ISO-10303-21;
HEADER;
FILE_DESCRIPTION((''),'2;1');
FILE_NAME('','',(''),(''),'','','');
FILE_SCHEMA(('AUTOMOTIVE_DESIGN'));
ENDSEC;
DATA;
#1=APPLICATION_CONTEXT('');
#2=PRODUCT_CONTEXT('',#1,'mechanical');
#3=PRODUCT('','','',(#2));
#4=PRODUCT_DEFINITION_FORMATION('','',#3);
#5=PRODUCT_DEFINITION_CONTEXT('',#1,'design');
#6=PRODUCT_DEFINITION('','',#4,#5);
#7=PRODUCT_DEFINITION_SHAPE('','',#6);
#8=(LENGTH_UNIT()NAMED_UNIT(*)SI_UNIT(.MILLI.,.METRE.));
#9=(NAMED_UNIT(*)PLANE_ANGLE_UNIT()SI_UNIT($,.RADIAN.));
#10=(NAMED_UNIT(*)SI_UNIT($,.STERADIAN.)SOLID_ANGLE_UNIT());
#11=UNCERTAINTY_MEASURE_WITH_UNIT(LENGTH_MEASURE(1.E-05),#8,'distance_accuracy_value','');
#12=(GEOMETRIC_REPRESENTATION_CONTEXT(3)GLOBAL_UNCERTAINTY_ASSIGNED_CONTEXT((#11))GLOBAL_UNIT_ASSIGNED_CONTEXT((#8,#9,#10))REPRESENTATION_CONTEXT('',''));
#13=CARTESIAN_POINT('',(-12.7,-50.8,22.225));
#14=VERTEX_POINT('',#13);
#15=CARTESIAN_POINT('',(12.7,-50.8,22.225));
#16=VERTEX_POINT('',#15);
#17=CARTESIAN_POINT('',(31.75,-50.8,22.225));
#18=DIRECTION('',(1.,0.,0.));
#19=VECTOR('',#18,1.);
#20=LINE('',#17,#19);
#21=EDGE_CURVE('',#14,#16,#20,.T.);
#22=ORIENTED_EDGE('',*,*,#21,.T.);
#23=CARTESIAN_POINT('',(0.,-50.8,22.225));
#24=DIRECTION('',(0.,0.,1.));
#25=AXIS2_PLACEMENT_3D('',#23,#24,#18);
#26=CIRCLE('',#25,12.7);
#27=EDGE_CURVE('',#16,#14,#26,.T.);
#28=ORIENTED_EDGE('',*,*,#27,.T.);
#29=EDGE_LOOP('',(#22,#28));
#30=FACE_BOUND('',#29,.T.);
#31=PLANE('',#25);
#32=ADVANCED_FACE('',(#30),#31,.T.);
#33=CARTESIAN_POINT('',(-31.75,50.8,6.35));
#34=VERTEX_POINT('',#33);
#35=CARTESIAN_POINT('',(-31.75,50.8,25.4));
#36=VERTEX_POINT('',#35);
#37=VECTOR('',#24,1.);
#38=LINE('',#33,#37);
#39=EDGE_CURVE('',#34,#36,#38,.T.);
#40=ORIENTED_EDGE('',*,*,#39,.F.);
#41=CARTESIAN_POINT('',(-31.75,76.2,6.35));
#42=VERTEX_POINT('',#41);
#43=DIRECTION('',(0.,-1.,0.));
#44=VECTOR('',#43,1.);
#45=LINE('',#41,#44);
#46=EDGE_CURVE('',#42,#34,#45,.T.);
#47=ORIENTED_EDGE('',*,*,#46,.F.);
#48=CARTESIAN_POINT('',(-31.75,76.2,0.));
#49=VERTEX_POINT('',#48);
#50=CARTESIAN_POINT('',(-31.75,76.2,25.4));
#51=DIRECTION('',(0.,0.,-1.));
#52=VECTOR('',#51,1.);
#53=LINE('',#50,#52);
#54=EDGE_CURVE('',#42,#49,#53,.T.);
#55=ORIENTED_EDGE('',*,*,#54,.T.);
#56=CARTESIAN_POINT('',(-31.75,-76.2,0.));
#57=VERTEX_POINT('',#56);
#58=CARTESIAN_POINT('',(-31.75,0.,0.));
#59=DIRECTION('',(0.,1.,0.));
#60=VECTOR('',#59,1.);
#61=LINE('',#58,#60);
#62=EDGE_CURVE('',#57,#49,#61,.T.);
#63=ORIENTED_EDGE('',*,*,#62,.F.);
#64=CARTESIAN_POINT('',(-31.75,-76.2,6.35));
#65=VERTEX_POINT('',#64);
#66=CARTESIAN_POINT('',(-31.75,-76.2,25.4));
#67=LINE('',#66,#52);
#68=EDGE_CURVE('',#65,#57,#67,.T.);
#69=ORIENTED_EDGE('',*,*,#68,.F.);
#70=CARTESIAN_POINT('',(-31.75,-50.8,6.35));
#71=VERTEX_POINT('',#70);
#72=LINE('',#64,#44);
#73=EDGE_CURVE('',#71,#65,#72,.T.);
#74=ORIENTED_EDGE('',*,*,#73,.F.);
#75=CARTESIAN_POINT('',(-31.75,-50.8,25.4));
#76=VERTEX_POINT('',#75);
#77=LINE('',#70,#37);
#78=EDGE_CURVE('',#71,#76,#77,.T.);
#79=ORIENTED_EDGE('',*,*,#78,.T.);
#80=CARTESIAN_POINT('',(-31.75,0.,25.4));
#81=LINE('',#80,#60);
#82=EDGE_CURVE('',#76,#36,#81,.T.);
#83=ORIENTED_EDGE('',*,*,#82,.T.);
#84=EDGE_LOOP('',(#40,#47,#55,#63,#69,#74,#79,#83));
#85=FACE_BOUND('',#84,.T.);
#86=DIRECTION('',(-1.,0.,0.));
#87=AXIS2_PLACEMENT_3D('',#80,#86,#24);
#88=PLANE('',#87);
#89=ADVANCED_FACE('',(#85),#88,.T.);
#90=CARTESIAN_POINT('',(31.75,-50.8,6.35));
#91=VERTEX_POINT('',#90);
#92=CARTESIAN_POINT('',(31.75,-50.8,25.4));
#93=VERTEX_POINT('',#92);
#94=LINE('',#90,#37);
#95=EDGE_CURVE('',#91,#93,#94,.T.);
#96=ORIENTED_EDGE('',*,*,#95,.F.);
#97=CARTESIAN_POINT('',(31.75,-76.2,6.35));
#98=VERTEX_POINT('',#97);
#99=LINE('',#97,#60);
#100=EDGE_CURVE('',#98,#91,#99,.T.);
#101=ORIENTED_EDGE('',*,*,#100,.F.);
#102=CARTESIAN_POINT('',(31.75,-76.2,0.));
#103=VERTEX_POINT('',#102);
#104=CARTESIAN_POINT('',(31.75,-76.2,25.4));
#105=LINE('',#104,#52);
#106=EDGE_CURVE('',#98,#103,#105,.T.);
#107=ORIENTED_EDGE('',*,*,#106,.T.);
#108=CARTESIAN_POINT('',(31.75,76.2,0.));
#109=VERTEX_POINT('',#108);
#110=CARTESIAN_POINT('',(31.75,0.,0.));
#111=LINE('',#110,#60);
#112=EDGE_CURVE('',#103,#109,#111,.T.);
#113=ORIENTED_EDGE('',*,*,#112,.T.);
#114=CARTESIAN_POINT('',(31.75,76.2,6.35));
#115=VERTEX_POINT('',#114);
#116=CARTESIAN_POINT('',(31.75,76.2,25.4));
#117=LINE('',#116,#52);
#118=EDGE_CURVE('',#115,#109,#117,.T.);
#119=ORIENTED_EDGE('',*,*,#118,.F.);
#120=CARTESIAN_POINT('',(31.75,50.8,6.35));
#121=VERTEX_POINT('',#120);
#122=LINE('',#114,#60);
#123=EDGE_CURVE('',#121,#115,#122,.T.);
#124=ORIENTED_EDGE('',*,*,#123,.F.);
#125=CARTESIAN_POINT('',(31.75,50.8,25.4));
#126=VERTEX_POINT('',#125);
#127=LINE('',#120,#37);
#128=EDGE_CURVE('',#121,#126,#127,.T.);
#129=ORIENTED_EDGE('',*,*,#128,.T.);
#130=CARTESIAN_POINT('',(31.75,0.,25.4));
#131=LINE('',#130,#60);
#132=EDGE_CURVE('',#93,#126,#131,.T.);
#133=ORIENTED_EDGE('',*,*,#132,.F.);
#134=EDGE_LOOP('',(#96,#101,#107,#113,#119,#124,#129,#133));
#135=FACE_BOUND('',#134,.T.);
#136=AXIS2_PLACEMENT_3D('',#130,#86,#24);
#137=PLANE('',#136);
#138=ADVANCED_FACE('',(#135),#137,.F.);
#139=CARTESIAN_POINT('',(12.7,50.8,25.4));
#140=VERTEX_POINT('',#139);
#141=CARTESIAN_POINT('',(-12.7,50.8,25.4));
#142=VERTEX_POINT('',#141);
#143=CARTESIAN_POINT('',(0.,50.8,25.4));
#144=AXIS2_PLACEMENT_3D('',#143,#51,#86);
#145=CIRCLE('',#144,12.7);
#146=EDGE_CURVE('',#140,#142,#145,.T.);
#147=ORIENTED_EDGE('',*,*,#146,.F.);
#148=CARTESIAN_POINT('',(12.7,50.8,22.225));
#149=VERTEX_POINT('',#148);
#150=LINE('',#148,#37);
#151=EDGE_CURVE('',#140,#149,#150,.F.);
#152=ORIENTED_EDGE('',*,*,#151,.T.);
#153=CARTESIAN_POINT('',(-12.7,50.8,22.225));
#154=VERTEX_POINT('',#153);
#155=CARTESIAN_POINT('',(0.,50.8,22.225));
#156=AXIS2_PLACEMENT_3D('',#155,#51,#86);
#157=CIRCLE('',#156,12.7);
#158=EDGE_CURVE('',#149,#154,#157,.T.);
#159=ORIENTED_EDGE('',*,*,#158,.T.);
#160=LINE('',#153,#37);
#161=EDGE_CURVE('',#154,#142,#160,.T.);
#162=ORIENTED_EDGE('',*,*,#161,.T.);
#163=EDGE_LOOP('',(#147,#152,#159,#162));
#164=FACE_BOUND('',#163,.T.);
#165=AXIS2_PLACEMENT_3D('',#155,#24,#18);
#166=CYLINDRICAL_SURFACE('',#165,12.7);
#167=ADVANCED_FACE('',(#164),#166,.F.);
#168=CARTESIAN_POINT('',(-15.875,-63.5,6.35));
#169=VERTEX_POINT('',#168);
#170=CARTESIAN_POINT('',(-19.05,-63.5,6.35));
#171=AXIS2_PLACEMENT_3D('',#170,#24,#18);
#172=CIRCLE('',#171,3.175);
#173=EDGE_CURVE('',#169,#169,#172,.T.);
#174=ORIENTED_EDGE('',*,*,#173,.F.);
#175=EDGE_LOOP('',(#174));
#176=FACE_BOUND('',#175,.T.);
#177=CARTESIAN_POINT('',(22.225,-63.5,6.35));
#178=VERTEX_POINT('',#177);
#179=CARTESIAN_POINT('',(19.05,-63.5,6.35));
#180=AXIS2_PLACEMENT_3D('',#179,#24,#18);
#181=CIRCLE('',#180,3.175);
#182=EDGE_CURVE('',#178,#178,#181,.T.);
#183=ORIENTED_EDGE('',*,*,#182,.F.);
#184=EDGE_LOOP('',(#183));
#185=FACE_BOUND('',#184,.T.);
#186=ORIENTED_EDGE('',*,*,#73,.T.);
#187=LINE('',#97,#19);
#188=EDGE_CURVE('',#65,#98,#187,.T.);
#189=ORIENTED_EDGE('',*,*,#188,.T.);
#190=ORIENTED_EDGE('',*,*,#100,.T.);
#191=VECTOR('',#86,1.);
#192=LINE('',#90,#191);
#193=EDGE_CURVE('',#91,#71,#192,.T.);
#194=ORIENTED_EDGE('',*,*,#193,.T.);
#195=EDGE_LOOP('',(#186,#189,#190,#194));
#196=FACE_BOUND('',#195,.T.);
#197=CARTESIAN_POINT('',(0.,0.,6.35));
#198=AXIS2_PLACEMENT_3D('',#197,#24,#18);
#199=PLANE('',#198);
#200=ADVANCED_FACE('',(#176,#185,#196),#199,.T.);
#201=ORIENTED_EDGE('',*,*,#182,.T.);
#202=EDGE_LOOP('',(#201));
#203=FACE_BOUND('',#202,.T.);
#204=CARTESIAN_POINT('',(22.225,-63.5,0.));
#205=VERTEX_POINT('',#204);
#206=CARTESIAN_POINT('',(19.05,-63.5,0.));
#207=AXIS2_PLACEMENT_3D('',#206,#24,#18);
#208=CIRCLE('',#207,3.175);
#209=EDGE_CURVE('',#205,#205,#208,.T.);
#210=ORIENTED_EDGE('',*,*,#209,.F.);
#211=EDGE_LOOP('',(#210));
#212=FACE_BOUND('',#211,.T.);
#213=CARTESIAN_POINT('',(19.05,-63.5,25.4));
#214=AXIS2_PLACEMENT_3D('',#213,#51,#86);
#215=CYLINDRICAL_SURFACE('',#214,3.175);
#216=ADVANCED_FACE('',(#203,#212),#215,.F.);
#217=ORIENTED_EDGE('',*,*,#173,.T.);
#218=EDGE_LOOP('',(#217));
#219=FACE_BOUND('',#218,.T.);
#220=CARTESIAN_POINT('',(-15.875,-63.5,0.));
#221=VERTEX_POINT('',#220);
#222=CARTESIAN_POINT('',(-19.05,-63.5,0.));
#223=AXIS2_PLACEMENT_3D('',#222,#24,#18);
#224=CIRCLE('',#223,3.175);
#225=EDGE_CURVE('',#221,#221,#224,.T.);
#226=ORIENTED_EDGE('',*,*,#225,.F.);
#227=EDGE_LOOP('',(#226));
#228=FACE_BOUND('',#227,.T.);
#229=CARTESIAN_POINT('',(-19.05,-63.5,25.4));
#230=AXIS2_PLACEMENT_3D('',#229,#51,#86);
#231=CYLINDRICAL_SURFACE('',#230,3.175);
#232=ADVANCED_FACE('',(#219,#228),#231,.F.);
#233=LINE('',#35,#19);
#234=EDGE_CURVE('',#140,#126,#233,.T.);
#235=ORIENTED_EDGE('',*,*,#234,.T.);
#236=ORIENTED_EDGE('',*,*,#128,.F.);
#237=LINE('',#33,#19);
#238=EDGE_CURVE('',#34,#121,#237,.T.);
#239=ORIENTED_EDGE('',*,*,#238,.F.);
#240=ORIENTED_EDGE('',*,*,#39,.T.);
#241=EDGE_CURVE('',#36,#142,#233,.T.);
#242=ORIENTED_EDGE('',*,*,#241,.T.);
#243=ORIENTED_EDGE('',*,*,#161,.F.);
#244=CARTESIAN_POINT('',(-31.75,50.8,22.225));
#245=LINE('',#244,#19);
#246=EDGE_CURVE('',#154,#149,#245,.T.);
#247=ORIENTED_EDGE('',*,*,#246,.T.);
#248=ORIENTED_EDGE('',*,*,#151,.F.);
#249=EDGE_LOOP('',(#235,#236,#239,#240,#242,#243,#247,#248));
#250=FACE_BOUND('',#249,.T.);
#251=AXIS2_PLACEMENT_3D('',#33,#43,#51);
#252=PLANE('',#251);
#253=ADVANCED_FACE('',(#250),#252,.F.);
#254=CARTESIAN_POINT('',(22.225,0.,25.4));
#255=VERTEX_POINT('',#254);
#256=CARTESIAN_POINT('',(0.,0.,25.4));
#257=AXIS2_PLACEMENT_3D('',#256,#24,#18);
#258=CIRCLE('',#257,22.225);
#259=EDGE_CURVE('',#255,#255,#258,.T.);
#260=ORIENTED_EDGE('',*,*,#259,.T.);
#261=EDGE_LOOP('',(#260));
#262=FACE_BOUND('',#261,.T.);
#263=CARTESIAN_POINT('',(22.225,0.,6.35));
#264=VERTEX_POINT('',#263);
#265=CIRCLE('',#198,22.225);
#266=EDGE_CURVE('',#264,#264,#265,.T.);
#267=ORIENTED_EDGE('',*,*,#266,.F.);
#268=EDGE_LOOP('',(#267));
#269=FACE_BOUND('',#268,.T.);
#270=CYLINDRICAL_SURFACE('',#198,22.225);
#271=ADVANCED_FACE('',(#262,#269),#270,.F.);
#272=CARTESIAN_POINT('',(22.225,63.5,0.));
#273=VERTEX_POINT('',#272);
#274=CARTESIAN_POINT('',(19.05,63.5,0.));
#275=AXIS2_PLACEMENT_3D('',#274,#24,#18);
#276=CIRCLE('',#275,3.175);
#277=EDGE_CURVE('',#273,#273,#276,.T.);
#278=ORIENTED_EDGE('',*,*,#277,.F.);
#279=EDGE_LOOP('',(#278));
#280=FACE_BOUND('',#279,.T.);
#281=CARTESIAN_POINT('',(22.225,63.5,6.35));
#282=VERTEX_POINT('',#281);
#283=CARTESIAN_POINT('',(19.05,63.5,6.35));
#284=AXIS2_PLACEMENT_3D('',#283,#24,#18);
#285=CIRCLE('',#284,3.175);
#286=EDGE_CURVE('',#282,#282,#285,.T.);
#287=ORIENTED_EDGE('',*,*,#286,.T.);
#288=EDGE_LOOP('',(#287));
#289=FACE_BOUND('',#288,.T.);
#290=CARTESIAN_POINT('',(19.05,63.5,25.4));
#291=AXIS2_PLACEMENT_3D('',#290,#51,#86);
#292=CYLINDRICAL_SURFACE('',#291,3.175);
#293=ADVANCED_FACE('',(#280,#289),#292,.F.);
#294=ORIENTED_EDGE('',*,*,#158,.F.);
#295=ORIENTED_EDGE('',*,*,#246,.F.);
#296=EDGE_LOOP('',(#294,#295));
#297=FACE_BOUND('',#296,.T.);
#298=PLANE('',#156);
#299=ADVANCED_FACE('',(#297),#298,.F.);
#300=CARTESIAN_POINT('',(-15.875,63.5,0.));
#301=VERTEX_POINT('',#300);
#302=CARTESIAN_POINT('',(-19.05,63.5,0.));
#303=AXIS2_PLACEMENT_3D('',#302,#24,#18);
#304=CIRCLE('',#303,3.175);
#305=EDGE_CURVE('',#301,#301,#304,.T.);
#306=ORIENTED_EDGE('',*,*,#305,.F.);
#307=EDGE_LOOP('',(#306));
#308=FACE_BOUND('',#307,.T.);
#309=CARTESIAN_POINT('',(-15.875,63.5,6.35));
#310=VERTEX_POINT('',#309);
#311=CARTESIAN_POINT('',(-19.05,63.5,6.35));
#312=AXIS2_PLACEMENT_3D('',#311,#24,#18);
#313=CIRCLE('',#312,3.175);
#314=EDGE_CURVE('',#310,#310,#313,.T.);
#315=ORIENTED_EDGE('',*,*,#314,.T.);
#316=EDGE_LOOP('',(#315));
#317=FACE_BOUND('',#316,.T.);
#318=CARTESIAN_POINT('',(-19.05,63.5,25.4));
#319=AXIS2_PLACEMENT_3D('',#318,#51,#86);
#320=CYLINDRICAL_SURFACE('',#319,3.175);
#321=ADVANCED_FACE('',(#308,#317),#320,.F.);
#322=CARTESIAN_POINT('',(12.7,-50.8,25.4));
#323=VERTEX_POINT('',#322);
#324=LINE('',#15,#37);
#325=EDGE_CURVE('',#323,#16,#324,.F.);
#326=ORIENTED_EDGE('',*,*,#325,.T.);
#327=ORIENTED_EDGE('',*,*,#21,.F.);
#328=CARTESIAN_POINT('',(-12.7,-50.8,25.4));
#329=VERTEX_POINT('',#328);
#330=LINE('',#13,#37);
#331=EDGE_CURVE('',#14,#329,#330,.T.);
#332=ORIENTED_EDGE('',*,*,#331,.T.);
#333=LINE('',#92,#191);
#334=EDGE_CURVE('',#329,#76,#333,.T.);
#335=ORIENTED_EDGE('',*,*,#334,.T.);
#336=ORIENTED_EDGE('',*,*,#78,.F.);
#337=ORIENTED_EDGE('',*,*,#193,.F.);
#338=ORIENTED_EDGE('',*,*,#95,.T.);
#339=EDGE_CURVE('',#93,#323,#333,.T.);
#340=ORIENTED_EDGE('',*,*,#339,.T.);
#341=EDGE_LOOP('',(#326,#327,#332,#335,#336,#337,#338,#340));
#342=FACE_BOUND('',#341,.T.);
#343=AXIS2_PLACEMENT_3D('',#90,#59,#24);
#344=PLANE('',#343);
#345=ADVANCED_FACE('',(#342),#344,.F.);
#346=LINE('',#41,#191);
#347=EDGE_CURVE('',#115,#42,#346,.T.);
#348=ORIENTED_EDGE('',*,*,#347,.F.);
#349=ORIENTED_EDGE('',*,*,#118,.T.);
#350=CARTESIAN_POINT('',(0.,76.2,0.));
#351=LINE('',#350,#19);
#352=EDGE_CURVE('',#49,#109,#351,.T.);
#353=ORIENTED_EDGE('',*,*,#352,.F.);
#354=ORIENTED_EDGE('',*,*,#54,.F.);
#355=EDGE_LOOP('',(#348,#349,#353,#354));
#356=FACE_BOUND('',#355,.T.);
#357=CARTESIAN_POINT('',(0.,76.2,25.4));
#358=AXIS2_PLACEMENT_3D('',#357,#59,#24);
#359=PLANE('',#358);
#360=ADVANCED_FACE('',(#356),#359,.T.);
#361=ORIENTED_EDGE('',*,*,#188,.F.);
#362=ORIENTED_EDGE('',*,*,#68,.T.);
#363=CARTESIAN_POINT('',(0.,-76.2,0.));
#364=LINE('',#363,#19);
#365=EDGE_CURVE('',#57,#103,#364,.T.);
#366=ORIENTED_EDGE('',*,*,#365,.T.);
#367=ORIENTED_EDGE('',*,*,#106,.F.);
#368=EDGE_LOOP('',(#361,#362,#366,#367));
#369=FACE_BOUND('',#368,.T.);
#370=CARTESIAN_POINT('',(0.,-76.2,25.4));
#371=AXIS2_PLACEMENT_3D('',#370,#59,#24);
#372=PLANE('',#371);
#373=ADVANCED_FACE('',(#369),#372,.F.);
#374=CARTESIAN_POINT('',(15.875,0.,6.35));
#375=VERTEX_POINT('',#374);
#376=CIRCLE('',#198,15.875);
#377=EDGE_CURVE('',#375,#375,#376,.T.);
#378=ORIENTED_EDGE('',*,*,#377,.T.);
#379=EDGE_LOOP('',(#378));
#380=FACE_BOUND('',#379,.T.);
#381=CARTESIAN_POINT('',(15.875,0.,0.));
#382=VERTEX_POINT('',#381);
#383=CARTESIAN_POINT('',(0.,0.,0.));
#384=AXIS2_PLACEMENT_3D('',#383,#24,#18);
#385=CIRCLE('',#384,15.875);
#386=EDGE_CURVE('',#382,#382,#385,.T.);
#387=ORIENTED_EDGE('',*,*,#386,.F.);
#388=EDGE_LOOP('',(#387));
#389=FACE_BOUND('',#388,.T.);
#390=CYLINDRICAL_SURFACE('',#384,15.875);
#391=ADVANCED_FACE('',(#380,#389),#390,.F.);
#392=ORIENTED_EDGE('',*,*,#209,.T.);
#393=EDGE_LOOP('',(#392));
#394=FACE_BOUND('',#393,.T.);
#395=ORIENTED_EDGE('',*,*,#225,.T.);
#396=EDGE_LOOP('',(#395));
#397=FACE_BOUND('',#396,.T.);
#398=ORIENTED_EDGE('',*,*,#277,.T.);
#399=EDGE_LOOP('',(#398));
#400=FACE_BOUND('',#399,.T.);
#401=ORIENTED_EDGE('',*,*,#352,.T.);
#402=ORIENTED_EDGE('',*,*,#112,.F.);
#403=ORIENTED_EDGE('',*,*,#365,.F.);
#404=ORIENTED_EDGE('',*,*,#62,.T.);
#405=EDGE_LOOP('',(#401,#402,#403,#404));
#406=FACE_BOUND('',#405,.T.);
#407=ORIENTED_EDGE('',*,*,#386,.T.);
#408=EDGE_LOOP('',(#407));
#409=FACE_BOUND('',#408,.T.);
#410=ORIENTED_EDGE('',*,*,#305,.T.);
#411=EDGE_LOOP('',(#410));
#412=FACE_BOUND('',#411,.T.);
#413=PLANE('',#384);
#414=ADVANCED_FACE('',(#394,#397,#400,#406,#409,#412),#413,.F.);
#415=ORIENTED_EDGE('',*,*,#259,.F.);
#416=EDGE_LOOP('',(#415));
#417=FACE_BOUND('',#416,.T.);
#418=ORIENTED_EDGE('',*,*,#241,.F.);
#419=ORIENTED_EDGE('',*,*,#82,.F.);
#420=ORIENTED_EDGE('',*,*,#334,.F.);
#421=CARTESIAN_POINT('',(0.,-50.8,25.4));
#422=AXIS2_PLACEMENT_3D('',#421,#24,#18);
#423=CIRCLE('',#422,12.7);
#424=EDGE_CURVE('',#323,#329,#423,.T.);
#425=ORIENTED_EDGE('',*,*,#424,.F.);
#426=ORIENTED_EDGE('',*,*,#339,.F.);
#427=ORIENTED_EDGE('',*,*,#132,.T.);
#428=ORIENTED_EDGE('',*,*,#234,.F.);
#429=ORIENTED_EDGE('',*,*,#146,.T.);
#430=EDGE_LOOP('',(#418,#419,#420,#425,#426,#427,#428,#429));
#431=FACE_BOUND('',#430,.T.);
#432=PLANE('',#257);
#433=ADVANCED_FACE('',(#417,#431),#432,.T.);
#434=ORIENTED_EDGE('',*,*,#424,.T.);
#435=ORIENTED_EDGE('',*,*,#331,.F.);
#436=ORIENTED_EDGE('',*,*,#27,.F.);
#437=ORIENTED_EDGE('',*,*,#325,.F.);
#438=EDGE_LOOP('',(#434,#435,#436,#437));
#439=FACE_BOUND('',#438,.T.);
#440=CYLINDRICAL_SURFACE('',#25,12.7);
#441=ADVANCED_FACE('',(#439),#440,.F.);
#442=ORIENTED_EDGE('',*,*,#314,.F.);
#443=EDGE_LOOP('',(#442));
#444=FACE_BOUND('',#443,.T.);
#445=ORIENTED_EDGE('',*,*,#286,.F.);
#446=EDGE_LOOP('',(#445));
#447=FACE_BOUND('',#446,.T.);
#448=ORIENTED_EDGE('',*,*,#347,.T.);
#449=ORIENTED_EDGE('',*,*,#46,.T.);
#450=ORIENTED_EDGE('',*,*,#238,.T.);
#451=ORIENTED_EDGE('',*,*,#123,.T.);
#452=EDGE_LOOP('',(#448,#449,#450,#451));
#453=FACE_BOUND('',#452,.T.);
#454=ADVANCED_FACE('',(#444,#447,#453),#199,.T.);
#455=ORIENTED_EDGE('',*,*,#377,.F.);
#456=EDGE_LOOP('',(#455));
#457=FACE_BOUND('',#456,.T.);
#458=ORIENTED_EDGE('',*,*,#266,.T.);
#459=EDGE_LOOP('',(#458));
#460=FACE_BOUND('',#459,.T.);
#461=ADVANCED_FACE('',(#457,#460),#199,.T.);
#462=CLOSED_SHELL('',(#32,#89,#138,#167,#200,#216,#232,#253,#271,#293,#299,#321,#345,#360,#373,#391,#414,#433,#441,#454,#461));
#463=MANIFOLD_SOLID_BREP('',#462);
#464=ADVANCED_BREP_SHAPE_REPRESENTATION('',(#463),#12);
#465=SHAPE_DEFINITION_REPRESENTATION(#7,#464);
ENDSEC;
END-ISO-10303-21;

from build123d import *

# Parameters (mm, degrees)
BOSS_EXTRUDE1_DEPTH = 25.4
SKETCH2_W           = 63.5
SKETCH2_H           = 25.4
CUT_EXTRUDE1_DEPTH  = 19.05
SKETCH3_R           = 15.875
CUT_EXTRUDE4_DEPTH  = 26.4
SKETCH5_R           = 22.225
SKETCH5_R_2         = 15.875
CUT_EXTRUDE6_DEPTH  = 19.05
SKETCH6_R           = 12.7
CUT_EXTRUDE7_DEPTH  = 3.175
BOSS_EXTRUDE2_DEPTH = 25.4
SKETCH9_W           = 19.05
SKETCH9_H           = 3.556
BOSS_EXTRUDE4_DEPTH = 35.56


with BuildPart() as part:
    # Sketch1 → Boss-Extrude1 (new body)
    with BuildSketch(Plane.XY):
        with BuildLine():
            Line((-19.05, -66.675), (-19.05, -76.2))
            Line((-19.05, -76.2), (19.05, -76.2))
            Line((19.05, -76.2), (19.05, -66.675))
            ThreePointArc((19.05, -66.675), (16.80493597, -61.25493597), (22.225, -63.5))
            Line((22.225, -63.5), (31.75, -63.5))
            Line((31.75, -63.5), (31.75, 63.5))
            Line((31.75, 63.5), (22.225, 63.5))
            ThreePointArc((22.225, 63.5), (16.80493597, 61.25493597), (19.05, 66.675))
            Line((19.05, 66.675), (19.05, 76.2))
            Line((19.05, 76.2), (-19.05, 76.2))
            Line((-19.05, 76.2), (-19.05, 66.675))
            ThreePointArc((-19.05, 66.675), (-16.80493597, 65.74506403), (-15.875, 63.5))
            ThreePointArc((-15.875, 63.5), (-19.05, 60.325), (-22.225, 63.5))
            Line((-22.225, 63.5), (-31.75, 63.5))
            Line((-31.75, 63.5), (-31.75, -63.5))
            Line((-31.75, -63.5), (-22.225, -63.5))
            ThreePointArc((-22.225, -63.5), (-19.05, -60.325), (-15.875, -63.5))
            ThreePointArc((-15.875, -63.5), (-16.80493597, -65.74506403), (-19.05, -66.675))
        make_face()
        with BuildLine():
            Line((-31.75, 76.2), (-31.75, 63.5))
            Line((-31.75, 63.5), (-22.225, 63.5))
            ThreePointArc((-22.225, 63.5), (-21.29506403, 65.74506403), (-19.05, 66.675))
            Line((-19.05, 66.675), (-19.05, 76.2))
            Line((-19.05, 76.2), (-31.75, 76.2))
        make_face()
        with BuildLine():
            Line((22.225, 63.5), (31.75, 63.5))
            Line((31.75, 63.5), (31.75, 76.2))
            Line((31.75, 76.2), (19.05, 76.2))
            Line((19.05, 76.2), (19.05, 66.675))
            ThreePointArc((19.05, 66.675), (21.29506403, 65.74506403), (22.225, 63.5))
        make_face()
        with BuildLine():
            Line((-31.75, -63.5), (-31.75, -76.2))
            Line((-31.75, -76.2), (-19.05, -76.2))
            Line((-19.05, -76.2), (-19.05, -66.675))
            ThreePointArc((-19.05, -66.675), (-21.29506403, -65.74506403), (-22.225, -63.5))
            Line((-22.225, -63.5), (-31.75, -63.5))
        make_face()
        with BuildLine():
            Line((19.05, -66.675), (19.05, -76.2))
            Line((19.05, -76.2), (31.75, -76.2))
            Line((31.75, -76.2), (31.75, -63.5))
            Line((31.75, -63.5), (22.225, -63.5))
            ThreePointArc((22.225, -63.5), (21.29506403, -65.74506403), (19.05, -66.675))
        make_face()
    extrude(amount=BOSS_EXTRUDE1_DEPTH)

    # Sketch2 → Cut-Extrude1 (cut)
    with BuildSketch(Plane.XY.offset(25.4)):
        with Locations((0, 63.5)):
            Rectangle(SKETCH2_W, SKETCH2_H)
        with Locations((0, -63.5)):
            Rectangle(SKETCH2_W, SKETCH2_H)
    extrude(amount=-CUT_EXTRUDE1_DEPTH, mode=Mode.SUBTRACT)

    # Sketch3 → Cut-Extrude4 (cut, through all)
    with BuildSketch(Plane.XY.offset(25.4)):
        Circle(SKETCH3_R)
    extrude(amount=-CUT_EXTRUDE4_DEPTH, mode=Mode.SUBTRACT)

    # Sketch5 → Cut-Extrude6 (cut)
    with BuildSketch(Plane.XY.offset(25.4)):
        Circle(SKETCH5_R)
        Circle(SKETCH5_R_2, mode=Mode.SUBTRACT)
    extrude(amount=-CUT_EXTRUDE6_DEPTH, mode=Mode.SUBTRACT)

    # Sketch6 → Cut-Extrude7 (cut)
    with BuildSketch(Plane.XY.offset(25.4)):
        with Locations((0, -50.8)):
            Circle(SKETCH6_R)
        with Locations((0, 50.8)):
            Circle(SKETCH6_R)
    extrude(amount=-CUT_EXTRUDE7_DEPTH, mode=Mode.SUBTRACT)


with BuildPart() as body_2:
    # Sketch7 → Boss-Extrude2 (new body)
    with BuildSketch(Plane.ZY.offset(31.75)):
        Polygon((0, 123.19), (19.05, 123.19), (19.05, -50.8), (6.35, -50.8), (6.35, -76.2), (0, -76.2), align=None)
    extrude(amount=BOSS_EXTRUDE2_DEPTH)

    # Sketch9 → Boss-Extrude4 (add)
    with BuildSketch(Plane.ZY.offset(57.15)):
        with Locations((9.525, 121.412)):
            Rectangle(SKETCH9_W, SKETCH9_H)
        with Locations((9.525, 110.236)):
            Rectangle(SKETCH9_W, SKETCH9_H)
    extrude(amount=BOSS_EXTRUDE4_DEPTH)


solid = part.part
